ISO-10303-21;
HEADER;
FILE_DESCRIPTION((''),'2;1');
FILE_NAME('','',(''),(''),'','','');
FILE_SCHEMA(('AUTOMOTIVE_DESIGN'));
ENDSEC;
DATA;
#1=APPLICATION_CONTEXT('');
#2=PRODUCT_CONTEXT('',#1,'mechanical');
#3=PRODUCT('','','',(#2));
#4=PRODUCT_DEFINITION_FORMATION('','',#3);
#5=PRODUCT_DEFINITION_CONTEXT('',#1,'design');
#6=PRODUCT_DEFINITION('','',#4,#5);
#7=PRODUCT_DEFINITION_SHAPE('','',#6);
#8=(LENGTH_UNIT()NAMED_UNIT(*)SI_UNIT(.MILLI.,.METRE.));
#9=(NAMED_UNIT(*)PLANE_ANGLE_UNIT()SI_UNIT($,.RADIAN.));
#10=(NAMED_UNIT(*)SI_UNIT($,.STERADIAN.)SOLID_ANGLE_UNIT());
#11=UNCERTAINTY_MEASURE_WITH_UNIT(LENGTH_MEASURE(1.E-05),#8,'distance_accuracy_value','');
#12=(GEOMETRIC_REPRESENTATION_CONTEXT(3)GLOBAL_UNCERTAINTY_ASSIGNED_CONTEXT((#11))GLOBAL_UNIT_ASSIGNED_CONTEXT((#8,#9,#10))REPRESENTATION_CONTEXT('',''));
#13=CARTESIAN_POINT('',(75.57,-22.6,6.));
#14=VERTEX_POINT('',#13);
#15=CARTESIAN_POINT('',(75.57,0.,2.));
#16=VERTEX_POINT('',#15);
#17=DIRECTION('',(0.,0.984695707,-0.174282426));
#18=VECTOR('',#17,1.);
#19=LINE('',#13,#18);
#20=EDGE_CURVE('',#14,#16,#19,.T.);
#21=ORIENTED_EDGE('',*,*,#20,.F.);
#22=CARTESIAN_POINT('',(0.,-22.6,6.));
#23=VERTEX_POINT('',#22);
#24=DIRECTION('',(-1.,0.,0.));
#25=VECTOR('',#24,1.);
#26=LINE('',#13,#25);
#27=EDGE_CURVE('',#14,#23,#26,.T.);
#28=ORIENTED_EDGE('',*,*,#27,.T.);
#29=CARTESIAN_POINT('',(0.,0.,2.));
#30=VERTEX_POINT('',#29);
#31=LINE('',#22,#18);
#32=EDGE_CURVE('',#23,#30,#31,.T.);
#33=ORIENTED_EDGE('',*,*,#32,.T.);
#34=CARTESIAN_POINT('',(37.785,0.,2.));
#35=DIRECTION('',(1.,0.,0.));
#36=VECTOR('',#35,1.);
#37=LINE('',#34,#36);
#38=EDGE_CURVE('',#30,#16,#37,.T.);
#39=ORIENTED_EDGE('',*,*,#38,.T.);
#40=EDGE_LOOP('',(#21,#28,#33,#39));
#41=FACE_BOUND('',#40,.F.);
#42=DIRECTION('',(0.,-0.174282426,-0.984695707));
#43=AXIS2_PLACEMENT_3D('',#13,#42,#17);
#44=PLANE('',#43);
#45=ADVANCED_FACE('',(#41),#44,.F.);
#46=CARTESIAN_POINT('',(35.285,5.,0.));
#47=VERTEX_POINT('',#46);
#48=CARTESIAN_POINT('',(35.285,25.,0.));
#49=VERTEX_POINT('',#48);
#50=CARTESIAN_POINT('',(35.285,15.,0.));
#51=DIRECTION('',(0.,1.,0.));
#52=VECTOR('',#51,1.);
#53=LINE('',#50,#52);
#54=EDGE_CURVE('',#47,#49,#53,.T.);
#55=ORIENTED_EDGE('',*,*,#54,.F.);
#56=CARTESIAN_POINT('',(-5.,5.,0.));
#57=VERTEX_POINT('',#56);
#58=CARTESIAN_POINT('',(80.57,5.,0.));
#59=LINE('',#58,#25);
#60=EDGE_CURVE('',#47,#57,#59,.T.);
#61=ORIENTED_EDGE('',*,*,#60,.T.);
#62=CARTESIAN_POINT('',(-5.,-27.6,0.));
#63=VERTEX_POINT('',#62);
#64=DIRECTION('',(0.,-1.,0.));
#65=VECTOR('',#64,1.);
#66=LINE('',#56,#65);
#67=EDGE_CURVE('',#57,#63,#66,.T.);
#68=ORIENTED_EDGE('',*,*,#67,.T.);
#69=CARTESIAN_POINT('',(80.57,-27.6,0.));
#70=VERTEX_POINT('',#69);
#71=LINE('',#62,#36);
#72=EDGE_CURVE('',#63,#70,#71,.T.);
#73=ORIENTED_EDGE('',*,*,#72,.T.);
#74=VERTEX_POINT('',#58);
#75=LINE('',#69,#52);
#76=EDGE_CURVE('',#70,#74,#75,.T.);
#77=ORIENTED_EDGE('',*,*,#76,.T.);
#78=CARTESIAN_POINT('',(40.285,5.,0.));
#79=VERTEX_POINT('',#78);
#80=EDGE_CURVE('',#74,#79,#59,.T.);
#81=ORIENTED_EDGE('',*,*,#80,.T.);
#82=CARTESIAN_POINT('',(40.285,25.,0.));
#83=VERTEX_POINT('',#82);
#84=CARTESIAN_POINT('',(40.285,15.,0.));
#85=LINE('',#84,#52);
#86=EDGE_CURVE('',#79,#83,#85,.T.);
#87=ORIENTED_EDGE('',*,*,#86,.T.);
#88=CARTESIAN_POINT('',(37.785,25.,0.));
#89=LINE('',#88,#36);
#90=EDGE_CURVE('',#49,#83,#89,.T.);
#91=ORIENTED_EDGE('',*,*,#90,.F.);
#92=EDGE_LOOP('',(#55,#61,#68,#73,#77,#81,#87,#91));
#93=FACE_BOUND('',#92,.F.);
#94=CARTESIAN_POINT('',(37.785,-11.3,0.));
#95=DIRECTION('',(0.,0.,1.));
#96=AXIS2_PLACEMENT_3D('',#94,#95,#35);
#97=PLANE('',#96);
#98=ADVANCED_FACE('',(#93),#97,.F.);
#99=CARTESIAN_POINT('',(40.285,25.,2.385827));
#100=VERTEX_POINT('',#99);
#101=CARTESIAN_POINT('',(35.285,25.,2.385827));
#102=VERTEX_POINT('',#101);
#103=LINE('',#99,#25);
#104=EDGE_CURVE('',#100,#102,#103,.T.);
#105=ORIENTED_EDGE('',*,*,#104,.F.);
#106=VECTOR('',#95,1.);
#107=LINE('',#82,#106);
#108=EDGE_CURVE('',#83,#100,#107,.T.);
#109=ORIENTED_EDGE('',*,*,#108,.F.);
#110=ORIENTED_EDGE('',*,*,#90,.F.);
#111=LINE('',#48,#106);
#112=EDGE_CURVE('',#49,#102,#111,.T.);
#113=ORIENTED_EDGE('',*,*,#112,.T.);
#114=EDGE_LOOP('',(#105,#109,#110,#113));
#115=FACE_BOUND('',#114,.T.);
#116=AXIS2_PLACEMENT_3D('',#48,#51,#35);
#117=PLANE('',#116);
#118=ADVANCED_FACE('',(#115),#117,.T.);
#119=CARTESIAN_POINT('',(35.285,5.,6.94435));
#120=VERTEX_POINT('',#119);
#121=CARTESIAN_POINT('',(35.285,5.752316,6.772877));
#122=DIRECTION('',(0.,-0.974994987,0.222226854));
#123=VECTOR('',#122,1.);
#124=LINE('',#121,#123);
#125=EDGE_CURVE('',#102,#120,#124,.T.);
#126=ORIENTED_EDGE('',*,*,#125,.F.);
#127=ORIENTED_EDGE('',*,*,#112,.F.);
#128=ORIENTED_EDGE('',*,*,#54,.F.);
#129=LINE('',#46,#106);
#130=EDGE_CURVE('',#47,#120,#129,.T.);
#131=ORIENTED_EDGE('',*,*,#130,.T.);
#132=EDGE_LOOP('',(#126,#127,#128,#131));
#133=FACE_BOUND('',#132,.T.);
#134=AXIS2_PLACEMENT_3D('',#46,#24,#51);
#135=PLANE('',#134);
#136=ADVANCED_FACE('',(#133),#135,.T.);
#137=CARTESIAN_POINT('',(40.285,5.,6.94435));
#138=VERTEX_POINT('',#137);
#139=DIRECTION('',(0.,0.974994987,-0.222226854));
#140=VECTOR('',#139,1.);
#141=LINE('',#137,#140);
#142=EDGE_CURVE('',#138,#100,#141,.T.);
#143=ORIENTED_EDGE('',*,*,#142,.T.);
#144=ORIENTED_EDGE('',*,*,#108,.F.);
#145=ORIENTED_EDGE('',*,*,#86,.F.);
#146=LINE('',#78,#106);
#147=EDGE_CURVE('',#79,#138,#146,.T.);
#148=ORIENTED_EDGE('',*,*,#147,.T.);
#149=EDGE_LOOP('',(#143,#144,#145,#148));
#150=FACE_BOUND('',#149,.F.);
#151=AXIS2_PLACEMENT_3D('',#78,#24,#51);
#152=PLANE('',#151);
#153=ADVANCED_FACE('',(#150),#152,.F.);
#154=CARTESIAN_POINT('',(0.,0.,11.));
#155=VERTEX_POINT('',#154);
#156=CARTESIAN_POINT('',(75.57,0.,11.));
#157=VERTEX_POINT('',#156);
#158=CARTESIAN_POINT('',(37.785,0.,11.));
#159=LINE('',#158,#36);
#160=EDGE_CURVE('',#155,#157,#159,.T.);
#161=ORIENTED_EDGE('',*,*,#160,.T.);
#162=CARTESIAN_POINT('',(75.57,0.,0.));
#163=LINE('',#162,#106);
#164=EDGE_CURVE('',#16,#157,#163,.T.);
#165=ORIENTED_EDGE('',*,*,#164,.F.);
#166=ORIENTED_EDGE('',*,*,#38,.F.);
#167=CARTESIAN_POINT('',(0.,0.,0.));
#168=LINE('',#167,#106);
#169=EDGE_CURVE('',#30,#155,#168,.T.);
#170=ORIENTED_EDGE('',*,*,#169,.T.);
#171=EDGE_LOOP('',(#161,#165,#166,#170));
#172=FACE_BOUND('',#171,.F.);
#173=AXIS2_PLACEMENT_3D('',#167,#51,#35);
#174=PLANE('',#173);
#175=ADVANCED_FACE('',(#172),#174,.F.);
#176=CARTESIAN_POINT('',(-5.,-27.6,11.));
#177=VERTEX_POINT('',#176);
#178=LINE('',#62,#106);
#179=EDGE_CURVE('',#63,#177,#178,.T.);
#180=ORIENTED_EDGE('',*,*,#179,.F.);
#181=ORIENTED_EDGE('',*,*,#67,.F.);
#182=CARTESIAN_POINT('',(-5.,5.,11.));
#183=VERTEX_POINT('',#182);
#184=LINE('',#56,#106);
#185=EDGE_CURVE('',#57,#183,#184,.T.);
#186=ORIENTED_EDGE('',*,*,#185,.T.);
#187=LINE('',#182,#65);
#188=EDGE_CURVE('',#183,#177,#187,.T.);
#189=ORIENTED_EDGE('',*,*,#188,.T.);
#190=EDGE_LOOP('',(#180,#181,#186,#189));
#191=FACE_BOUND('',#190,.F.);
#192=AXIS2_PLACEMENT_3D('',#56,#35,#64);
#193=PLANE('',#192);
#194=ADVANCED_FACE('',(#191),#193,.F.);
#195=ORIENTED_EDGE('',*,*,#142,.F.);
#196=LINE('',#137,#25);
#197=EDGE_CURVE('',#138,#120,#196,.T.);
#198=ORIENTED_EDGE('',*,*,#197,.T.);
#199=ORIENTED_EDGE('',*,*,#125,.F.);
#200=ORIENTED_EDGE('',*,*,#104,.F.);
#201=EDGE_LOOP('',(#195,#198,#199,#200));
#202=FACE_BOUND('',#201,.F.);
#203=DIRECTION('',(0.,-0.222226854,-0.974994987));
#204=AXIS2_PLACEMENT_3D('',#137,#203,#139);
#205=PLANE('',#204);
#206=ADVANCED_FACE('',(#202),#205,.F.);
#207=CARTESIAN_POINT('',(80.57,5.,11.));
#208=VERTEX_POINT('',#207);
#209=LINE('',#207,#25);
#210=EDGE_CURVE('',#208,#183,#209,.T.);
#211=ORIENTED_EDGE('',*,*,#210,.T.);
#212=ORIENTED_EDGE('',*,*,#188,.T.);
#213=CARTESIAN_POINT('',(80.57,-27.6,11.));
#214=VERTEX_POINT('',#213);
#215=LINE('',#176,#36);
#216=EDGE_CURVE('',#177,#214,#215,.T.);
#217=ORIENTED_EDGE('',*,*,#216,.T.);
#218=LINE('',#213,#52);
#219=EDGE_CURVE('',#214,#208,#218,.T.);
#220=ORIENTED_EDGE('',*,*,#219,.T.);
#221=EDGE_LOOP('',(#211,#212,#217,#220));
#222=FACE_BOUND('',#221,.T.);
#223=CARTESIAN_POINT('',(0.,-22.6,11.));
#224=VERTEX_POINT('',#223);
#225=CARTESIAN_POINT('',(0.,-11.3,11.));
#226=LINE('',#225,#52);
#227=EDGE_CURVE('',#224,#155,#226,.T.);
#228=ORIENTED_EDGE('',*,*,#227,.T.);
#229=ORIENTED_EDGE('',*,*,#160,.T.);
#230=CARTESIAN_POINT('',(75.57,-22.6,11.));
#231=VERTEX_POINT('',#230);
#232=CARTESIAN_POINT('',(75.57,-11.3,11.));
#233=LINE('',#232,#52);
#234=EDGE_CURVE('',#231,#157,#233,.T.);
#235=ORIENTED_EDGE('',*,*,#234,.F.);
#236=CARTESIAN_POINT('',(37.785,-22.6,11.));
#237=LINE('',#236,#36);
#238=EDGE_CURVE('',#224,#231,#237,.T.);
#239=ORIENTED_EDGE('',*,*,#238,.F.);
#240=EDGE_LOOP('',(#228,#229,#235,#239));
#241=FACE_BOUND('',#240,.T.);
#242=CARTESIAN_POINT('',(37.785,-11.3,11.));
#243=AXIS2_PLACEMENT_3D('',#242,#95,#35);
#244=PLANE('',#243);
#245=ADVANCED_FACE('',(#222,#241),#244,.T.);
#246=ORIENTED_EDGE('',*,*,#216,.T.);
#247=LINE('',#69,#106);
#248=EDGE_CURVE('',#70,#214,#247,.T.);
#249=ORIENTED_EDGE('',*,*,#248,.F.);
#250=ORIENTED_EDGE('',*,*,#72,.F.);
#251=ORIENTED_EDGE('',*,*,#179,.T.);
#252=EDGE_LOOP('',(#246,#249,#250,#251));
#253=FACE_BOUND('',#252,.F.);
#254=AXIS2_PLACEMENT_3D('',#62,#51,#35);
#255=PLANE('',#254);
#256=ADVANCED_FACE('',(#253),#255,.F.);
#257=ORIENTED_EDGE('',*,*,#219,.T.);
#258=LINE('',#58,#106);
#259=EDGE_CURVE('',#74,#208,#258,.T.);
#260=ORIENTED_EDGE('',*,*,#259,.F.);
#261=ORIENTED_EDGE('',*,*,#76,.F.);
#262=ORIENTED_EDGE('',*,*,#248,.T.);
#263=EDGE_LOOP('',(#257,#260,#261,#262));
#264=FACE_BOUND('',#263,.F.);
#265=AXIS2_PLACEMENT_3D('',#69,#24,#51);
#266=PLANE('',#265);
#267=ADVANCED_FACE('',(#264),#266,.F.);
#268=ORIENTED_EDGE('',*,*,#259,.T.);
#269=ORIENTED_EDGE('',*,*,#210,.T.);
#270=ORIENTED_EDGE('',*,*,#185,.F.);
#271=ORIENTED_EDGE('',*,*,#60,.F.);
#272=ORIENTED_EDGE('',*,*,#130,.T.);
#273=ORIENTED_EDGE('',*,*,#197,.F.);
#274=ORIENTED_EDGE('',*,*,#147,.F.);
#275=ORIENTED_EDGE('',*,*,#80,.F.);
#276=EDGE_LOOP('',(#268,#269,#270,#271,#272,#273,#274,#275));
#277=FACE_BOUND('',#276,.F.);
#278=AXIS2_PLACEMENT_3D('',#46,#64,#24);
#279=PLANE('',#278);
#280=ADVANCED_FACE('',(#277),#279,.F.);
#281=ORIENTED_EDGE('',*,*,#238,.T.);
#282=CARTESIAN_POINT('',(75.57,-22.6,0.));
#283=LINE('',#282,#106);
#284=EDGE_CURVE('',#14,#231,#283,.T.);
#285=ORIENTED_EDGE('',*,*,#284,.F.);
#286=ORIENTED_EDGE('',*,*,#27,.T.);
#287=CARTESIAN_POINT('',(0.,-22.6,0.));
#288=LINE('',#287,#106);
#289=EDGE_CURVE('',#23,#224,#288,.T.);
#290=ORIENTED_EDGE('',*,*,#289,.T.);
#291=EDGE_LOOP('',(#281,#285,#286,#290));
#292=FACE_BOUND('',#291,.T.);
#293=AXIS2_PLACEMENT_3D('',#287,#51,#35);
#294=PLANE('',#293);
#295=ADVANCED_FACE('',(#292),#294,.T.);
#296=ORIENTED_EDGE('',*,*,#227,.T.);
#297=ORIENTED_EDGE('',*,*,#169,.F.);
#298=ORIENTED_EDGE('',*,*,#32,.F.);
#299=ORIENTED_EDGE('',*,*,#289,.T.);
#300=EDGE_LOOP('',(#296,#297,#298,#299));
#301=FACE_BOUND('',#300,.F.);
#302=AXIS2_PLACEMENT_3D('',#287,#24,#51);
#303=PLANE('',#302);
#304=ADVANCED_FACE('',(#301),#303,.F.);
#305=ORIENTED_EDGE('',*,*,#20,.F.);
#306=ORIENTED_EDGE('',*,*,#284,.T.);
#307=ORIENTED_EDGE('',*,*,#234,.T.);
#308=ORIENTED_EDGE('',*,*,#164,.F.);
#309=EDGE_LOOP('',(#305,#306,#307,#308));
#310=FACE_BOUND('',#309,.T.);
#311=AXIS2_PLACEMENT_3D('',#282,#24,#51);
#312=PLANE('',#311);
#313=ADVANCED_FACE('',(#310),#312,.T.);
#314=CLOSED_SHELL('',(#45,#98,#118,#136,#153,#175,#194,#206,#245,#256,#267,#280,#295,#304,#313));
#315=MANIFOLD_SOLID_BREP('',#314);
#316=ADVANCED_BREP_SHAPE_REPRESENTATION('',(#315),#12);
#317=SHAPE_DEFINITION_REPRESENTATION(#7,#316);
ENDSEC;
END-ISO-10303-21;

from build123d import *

# Parameters (mm, degrees)
F0_W     = 75.57
F0_H     = 22.6
F1_DEPTH = 2
F0_W_2   = 5
F0_H_2   = 20
F2_DEPTH = 11
F4_DEPTH = 75.57
F6_DEPTH = 25


with BuildPart() as f1:
    # F0 (on Top) → F1 (new body)
    with BuildSketch(Plane.XY):
        with Locations((37.785, -11.3)):
            Rectangle(F0_W, F0_H)
    extrude(amount=F1_DEPTH)

    # F0 (on Top) → F2 (join)
    with BuildSketch(Plane.XY):
        Polygon((35.285, 5), (-5, 5), (-5, -27.6), (80.57, -27.6), (80.57, 5), (40.285, 5), align=None)
        with Locations((37.785, -11.3)):
            Rectangle(F0_W, F0_H, mode=Mode.SUBTRACT)
        with Locations((37.785, 15)):
            Rectangle(F0_W_2, F0_H_2)
    extrude(amount=F2_DEPTH)

    # F3 (on face) → F4 (join, through all)
    with BuildSketch(Plane(origin=(75.57, 0, 0), x_dir=(0, -1, 0), z_dir=(-1, 0, 0))):
        Polygon((22.6, 6), (0, 2), (22.6, 2), align=None)
    extrude(amount=F4_DEPTH)

    # F5 (on face) → F6 (cut)
    with BuildSketch(Plane.YZ.offset(40.285)):
        Polygon((5, 6.94435), (25, 2.385827), (25, 11), (5, 11), align=None)
    extrude(amount=-F6_DEPTH, mode=Mode.SUBTRACT)


solid = f1.part
